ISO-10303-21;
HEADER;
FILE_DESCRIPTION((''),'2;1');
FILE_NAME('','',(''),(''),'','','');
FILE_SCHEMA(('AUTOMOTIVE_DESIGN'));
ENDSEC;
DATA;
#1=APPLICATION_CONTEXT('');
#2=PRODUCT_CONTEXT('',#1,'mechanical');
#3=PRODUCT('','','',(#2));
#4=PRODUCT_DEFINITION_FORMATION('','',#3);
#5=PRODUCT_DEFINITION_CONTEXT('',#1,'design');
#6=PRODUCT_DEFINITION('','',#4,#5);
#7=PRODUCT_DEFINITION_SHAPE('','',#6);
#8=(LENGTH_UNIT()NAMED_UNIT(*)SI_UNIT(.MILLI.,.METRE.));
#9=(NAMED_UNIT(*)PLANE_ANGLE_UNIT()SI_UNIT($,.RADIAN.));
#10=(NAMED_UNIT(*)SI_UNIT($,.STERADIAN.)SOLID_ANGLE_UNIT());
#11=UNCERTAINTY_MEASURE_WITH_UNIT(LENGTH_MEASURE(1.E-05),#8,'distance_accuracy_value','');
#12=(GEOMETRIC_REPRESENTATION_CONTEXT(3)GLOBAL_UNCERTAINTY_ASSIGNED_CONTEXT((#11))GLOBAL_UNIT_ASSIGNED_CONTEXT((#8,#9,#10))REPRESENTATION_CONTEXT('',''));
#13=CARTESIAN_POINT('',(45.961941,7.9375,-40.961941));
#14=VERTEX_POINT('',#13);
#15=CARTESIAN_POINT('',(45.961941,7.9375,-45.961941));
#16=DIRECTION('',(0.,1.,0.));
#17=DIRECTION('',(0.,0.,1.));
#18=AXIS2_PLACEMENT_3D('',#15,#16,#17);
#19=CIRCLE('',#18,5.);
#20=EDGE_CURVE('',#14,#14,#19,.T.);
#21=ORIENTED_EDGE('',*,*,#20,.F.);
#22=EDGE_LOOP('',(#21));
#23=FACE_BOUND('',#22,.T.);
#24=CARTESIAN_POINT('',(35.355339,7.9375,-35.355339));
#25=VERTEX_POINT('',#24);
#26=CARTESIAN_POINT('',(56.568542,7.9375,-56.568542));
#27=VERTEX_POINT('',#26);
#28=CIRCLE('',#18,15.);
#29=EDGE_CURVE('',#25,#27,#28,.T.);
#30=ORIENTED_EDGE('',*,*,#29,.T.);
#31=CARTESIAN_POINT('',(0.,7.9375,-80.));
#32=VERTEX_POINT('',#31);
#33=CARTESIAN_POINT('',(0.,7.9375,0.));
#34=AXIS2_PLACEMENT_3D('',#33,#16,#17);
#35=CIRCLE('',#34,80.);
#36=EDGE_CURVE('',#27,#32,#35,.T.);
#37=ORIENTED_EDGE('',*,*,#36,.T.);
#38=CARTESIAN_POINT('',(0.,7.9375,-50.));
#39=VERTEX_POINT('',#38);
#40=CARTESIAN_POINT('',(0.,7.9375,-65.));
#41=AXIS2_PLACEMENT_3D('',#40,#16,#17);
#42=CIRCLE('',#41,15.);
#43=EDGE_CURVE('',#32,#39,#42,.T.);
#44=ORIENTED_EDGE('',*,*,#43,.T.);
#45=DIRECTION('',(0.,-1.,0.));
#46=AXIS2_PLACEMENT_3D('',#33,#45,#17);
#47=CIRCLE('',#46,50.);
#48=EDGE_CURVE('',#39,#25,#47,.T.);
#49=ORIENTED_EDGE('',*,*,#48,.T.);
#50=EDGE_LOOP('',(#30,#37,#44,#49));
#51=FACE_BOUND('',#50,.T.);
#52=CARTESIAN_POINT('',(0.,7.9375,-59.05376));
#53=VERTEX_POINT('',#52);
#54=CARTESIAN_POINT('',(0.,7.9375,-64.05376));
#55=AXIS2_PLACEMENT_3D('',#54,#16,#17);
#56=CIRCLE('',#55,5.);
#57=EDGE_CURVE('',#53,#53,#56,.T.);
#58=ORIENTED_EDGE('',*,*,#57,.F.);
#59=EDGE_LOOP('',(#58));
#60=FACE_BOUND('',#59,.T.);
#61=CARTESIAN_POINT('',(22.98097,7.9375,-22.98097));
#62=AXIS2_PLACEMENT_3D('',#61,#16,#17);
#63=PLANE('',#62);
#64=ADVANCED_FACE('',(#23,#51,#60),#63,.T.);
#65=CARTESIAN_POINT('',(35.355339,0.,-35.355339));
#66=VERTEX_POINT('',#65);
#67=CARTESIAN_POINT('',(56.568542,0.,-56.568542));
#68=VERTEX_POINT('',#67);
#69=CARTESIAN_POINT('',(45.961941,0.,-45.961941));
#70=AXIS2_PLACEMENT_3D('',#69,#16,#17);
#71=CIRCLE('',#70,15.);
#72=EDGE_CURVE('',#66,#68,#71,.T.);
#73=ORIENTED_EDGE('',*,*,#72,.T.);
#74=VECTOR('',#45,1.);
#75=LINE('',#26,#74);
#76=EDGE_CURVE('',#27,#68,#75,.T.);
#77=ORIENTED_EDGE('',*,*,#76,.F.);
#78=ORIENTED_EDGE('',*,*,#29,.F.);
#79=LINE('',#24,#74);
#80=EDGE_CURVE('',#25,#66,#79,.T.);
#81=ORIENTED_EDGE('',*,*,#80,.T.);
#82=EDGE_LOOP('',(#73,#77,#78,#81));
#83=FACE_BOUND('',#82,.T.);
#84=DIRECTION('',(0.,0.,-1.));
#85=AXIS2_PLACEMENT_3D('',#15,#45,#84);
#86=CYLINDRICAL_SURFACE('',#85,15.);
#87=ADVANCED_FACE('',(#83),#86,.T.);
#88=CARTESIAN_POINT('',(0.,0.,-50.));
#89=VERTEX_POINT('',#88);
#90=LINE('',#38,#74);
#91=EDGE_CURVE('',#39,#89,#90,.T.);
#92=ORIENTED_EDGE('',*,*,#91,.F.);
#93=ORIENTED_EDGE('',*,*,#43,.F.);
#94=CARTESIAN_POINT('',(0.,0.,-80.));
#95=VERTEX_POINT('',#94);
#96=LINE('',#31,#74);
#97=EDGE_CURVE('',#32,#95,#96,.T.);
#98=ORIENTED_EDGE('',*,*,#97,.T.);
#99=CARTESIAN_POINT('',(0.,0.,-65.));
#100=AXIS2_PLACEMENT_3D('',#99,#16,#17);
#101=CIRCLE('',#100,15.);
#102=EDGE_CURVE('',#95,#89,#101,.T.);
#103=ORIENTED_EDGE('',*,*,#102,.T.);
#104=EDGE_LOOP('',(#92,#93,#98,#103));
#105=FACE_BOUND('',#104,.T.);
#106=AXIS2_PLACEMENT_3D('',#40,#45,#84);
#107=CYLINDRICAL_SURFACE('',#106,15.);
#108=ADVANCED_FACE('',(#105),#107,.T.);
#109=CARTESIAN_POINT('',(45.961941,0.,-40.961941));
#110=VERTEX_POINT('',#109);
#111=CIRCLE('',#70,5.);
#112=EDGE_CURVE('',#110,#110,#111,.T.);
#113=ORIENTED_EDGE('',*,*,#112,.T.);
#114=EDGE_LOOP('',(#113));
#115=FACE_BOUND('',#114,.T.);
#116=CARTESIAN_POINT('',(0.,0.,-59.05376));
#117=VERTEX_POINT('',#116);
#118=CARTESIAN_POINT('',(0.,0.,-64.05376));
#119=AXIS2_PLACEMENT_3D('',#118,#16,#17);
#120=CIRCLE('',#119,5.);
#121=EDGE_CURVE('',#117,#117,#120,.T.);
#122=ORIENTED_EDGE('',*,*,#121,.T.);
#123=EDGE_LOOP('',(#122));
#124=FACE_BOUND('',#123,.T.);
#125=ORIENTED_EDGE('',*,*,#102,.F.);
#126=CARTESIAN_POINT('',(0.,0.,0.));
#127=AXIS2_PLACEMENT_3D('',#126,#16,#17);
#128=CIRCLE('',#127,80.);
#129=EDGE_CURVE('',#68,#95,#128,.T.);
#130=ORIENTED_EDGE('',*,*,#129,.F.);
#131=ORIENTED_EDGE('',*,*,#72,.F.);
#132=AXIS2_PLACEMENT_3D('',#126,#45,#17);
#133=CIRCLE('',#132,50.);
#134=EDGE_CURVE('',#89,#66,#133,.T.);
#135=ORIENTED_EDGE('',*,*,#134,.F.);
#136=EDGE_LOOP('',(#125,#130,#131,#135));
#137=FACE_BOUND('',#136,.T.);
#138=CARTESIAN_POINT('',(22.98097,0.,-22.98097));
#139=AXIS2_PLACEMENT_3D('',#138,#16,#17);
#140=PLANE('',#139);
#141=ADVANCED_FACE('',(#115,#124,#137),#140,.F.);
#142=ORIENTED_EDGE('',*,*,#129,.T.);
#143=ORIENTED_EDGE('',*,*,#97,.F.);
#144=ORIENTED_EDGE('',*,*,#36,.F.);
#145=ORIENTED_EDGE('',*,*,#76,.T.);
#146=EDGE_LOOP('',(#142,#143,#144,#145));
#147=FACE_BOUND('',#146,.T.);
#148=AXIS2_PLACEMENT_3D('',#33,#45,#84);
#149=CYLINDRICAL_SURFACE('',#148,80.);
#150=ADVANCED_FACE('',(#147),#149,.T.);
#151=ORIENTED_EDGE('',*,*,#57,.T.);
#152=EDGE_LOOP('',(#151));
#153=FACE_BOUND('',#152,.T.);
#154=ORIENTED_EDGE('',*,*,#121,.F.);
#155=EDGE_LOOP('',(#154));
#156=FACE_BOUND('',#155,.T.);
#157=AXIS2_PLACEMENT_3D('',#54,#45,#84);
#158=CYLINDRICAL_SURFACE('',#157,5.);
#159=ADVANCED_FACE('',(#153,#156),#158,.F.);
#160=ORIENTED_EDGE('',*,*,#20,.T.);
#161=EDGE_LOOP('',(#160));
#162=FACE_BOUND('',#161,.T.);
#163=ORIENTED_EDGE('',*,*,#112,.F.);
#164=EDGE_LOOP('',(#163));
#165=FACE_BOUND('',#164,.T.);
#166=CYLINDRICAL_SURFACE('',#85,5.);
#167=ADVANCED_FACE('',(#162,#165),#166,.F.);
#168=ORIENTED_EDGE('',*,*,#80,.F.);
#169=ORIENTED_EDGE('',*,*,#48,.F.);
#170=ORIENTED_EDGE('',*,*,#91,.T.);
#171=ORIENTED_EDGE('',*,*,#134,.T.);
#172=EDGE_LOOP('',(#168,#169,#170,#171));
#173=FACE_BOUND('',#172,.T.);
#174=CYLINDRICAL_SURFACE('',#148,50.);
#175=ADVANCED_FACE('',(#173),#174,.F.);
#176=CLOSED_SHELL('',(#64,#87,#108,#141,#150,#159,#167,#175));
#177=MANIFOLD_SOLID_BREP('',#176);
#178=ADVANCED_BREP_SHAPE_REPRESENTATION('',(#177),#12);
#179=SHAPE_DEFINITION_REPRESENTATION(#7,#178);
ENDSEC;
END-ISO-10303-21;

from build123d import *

# Parameters (mm, degrees)
SKETCH1_R           = 5
BOSS_EXTRUDE1_DEPTH = 7.9375


with BuildPart() as part:
    # Sketch1 → Boss-Extrude1 (new body)
    with BuildSketch(Plane(origin=(0, 0, 0), x_dir=(1, 0, 0), z_dir=(0, 1, 0))):
        with BuildLine():
            ThreePointArc((56.568542495, 56.568542495), (30.614674589, 73.910362601), (0, 80))
            ThreePointArc((0, 80), (-15, 65), (0, 50))
            ThreePointArc((0, 50), (19.134171618, 46.193976626), (35.355339059, 35.355339059))
            ThreePointArc((35.355339059, 35.355339059), (56.568542495, 35.355339059), (56.568542495, 56.568542495))
        make_face()
        with Locations((0, 64.05375952)):
            Circle(SKETCH1_R, mode=Mode.SUBTRACT)
        with Locations((45.961940777, 45.961940777)):
            Circle(SKETCH1_R, mode=Mode.SUBTRACT)
    extrude(amount=BOSS_EXTRUDE1_DEPTH)


solid = part.part
